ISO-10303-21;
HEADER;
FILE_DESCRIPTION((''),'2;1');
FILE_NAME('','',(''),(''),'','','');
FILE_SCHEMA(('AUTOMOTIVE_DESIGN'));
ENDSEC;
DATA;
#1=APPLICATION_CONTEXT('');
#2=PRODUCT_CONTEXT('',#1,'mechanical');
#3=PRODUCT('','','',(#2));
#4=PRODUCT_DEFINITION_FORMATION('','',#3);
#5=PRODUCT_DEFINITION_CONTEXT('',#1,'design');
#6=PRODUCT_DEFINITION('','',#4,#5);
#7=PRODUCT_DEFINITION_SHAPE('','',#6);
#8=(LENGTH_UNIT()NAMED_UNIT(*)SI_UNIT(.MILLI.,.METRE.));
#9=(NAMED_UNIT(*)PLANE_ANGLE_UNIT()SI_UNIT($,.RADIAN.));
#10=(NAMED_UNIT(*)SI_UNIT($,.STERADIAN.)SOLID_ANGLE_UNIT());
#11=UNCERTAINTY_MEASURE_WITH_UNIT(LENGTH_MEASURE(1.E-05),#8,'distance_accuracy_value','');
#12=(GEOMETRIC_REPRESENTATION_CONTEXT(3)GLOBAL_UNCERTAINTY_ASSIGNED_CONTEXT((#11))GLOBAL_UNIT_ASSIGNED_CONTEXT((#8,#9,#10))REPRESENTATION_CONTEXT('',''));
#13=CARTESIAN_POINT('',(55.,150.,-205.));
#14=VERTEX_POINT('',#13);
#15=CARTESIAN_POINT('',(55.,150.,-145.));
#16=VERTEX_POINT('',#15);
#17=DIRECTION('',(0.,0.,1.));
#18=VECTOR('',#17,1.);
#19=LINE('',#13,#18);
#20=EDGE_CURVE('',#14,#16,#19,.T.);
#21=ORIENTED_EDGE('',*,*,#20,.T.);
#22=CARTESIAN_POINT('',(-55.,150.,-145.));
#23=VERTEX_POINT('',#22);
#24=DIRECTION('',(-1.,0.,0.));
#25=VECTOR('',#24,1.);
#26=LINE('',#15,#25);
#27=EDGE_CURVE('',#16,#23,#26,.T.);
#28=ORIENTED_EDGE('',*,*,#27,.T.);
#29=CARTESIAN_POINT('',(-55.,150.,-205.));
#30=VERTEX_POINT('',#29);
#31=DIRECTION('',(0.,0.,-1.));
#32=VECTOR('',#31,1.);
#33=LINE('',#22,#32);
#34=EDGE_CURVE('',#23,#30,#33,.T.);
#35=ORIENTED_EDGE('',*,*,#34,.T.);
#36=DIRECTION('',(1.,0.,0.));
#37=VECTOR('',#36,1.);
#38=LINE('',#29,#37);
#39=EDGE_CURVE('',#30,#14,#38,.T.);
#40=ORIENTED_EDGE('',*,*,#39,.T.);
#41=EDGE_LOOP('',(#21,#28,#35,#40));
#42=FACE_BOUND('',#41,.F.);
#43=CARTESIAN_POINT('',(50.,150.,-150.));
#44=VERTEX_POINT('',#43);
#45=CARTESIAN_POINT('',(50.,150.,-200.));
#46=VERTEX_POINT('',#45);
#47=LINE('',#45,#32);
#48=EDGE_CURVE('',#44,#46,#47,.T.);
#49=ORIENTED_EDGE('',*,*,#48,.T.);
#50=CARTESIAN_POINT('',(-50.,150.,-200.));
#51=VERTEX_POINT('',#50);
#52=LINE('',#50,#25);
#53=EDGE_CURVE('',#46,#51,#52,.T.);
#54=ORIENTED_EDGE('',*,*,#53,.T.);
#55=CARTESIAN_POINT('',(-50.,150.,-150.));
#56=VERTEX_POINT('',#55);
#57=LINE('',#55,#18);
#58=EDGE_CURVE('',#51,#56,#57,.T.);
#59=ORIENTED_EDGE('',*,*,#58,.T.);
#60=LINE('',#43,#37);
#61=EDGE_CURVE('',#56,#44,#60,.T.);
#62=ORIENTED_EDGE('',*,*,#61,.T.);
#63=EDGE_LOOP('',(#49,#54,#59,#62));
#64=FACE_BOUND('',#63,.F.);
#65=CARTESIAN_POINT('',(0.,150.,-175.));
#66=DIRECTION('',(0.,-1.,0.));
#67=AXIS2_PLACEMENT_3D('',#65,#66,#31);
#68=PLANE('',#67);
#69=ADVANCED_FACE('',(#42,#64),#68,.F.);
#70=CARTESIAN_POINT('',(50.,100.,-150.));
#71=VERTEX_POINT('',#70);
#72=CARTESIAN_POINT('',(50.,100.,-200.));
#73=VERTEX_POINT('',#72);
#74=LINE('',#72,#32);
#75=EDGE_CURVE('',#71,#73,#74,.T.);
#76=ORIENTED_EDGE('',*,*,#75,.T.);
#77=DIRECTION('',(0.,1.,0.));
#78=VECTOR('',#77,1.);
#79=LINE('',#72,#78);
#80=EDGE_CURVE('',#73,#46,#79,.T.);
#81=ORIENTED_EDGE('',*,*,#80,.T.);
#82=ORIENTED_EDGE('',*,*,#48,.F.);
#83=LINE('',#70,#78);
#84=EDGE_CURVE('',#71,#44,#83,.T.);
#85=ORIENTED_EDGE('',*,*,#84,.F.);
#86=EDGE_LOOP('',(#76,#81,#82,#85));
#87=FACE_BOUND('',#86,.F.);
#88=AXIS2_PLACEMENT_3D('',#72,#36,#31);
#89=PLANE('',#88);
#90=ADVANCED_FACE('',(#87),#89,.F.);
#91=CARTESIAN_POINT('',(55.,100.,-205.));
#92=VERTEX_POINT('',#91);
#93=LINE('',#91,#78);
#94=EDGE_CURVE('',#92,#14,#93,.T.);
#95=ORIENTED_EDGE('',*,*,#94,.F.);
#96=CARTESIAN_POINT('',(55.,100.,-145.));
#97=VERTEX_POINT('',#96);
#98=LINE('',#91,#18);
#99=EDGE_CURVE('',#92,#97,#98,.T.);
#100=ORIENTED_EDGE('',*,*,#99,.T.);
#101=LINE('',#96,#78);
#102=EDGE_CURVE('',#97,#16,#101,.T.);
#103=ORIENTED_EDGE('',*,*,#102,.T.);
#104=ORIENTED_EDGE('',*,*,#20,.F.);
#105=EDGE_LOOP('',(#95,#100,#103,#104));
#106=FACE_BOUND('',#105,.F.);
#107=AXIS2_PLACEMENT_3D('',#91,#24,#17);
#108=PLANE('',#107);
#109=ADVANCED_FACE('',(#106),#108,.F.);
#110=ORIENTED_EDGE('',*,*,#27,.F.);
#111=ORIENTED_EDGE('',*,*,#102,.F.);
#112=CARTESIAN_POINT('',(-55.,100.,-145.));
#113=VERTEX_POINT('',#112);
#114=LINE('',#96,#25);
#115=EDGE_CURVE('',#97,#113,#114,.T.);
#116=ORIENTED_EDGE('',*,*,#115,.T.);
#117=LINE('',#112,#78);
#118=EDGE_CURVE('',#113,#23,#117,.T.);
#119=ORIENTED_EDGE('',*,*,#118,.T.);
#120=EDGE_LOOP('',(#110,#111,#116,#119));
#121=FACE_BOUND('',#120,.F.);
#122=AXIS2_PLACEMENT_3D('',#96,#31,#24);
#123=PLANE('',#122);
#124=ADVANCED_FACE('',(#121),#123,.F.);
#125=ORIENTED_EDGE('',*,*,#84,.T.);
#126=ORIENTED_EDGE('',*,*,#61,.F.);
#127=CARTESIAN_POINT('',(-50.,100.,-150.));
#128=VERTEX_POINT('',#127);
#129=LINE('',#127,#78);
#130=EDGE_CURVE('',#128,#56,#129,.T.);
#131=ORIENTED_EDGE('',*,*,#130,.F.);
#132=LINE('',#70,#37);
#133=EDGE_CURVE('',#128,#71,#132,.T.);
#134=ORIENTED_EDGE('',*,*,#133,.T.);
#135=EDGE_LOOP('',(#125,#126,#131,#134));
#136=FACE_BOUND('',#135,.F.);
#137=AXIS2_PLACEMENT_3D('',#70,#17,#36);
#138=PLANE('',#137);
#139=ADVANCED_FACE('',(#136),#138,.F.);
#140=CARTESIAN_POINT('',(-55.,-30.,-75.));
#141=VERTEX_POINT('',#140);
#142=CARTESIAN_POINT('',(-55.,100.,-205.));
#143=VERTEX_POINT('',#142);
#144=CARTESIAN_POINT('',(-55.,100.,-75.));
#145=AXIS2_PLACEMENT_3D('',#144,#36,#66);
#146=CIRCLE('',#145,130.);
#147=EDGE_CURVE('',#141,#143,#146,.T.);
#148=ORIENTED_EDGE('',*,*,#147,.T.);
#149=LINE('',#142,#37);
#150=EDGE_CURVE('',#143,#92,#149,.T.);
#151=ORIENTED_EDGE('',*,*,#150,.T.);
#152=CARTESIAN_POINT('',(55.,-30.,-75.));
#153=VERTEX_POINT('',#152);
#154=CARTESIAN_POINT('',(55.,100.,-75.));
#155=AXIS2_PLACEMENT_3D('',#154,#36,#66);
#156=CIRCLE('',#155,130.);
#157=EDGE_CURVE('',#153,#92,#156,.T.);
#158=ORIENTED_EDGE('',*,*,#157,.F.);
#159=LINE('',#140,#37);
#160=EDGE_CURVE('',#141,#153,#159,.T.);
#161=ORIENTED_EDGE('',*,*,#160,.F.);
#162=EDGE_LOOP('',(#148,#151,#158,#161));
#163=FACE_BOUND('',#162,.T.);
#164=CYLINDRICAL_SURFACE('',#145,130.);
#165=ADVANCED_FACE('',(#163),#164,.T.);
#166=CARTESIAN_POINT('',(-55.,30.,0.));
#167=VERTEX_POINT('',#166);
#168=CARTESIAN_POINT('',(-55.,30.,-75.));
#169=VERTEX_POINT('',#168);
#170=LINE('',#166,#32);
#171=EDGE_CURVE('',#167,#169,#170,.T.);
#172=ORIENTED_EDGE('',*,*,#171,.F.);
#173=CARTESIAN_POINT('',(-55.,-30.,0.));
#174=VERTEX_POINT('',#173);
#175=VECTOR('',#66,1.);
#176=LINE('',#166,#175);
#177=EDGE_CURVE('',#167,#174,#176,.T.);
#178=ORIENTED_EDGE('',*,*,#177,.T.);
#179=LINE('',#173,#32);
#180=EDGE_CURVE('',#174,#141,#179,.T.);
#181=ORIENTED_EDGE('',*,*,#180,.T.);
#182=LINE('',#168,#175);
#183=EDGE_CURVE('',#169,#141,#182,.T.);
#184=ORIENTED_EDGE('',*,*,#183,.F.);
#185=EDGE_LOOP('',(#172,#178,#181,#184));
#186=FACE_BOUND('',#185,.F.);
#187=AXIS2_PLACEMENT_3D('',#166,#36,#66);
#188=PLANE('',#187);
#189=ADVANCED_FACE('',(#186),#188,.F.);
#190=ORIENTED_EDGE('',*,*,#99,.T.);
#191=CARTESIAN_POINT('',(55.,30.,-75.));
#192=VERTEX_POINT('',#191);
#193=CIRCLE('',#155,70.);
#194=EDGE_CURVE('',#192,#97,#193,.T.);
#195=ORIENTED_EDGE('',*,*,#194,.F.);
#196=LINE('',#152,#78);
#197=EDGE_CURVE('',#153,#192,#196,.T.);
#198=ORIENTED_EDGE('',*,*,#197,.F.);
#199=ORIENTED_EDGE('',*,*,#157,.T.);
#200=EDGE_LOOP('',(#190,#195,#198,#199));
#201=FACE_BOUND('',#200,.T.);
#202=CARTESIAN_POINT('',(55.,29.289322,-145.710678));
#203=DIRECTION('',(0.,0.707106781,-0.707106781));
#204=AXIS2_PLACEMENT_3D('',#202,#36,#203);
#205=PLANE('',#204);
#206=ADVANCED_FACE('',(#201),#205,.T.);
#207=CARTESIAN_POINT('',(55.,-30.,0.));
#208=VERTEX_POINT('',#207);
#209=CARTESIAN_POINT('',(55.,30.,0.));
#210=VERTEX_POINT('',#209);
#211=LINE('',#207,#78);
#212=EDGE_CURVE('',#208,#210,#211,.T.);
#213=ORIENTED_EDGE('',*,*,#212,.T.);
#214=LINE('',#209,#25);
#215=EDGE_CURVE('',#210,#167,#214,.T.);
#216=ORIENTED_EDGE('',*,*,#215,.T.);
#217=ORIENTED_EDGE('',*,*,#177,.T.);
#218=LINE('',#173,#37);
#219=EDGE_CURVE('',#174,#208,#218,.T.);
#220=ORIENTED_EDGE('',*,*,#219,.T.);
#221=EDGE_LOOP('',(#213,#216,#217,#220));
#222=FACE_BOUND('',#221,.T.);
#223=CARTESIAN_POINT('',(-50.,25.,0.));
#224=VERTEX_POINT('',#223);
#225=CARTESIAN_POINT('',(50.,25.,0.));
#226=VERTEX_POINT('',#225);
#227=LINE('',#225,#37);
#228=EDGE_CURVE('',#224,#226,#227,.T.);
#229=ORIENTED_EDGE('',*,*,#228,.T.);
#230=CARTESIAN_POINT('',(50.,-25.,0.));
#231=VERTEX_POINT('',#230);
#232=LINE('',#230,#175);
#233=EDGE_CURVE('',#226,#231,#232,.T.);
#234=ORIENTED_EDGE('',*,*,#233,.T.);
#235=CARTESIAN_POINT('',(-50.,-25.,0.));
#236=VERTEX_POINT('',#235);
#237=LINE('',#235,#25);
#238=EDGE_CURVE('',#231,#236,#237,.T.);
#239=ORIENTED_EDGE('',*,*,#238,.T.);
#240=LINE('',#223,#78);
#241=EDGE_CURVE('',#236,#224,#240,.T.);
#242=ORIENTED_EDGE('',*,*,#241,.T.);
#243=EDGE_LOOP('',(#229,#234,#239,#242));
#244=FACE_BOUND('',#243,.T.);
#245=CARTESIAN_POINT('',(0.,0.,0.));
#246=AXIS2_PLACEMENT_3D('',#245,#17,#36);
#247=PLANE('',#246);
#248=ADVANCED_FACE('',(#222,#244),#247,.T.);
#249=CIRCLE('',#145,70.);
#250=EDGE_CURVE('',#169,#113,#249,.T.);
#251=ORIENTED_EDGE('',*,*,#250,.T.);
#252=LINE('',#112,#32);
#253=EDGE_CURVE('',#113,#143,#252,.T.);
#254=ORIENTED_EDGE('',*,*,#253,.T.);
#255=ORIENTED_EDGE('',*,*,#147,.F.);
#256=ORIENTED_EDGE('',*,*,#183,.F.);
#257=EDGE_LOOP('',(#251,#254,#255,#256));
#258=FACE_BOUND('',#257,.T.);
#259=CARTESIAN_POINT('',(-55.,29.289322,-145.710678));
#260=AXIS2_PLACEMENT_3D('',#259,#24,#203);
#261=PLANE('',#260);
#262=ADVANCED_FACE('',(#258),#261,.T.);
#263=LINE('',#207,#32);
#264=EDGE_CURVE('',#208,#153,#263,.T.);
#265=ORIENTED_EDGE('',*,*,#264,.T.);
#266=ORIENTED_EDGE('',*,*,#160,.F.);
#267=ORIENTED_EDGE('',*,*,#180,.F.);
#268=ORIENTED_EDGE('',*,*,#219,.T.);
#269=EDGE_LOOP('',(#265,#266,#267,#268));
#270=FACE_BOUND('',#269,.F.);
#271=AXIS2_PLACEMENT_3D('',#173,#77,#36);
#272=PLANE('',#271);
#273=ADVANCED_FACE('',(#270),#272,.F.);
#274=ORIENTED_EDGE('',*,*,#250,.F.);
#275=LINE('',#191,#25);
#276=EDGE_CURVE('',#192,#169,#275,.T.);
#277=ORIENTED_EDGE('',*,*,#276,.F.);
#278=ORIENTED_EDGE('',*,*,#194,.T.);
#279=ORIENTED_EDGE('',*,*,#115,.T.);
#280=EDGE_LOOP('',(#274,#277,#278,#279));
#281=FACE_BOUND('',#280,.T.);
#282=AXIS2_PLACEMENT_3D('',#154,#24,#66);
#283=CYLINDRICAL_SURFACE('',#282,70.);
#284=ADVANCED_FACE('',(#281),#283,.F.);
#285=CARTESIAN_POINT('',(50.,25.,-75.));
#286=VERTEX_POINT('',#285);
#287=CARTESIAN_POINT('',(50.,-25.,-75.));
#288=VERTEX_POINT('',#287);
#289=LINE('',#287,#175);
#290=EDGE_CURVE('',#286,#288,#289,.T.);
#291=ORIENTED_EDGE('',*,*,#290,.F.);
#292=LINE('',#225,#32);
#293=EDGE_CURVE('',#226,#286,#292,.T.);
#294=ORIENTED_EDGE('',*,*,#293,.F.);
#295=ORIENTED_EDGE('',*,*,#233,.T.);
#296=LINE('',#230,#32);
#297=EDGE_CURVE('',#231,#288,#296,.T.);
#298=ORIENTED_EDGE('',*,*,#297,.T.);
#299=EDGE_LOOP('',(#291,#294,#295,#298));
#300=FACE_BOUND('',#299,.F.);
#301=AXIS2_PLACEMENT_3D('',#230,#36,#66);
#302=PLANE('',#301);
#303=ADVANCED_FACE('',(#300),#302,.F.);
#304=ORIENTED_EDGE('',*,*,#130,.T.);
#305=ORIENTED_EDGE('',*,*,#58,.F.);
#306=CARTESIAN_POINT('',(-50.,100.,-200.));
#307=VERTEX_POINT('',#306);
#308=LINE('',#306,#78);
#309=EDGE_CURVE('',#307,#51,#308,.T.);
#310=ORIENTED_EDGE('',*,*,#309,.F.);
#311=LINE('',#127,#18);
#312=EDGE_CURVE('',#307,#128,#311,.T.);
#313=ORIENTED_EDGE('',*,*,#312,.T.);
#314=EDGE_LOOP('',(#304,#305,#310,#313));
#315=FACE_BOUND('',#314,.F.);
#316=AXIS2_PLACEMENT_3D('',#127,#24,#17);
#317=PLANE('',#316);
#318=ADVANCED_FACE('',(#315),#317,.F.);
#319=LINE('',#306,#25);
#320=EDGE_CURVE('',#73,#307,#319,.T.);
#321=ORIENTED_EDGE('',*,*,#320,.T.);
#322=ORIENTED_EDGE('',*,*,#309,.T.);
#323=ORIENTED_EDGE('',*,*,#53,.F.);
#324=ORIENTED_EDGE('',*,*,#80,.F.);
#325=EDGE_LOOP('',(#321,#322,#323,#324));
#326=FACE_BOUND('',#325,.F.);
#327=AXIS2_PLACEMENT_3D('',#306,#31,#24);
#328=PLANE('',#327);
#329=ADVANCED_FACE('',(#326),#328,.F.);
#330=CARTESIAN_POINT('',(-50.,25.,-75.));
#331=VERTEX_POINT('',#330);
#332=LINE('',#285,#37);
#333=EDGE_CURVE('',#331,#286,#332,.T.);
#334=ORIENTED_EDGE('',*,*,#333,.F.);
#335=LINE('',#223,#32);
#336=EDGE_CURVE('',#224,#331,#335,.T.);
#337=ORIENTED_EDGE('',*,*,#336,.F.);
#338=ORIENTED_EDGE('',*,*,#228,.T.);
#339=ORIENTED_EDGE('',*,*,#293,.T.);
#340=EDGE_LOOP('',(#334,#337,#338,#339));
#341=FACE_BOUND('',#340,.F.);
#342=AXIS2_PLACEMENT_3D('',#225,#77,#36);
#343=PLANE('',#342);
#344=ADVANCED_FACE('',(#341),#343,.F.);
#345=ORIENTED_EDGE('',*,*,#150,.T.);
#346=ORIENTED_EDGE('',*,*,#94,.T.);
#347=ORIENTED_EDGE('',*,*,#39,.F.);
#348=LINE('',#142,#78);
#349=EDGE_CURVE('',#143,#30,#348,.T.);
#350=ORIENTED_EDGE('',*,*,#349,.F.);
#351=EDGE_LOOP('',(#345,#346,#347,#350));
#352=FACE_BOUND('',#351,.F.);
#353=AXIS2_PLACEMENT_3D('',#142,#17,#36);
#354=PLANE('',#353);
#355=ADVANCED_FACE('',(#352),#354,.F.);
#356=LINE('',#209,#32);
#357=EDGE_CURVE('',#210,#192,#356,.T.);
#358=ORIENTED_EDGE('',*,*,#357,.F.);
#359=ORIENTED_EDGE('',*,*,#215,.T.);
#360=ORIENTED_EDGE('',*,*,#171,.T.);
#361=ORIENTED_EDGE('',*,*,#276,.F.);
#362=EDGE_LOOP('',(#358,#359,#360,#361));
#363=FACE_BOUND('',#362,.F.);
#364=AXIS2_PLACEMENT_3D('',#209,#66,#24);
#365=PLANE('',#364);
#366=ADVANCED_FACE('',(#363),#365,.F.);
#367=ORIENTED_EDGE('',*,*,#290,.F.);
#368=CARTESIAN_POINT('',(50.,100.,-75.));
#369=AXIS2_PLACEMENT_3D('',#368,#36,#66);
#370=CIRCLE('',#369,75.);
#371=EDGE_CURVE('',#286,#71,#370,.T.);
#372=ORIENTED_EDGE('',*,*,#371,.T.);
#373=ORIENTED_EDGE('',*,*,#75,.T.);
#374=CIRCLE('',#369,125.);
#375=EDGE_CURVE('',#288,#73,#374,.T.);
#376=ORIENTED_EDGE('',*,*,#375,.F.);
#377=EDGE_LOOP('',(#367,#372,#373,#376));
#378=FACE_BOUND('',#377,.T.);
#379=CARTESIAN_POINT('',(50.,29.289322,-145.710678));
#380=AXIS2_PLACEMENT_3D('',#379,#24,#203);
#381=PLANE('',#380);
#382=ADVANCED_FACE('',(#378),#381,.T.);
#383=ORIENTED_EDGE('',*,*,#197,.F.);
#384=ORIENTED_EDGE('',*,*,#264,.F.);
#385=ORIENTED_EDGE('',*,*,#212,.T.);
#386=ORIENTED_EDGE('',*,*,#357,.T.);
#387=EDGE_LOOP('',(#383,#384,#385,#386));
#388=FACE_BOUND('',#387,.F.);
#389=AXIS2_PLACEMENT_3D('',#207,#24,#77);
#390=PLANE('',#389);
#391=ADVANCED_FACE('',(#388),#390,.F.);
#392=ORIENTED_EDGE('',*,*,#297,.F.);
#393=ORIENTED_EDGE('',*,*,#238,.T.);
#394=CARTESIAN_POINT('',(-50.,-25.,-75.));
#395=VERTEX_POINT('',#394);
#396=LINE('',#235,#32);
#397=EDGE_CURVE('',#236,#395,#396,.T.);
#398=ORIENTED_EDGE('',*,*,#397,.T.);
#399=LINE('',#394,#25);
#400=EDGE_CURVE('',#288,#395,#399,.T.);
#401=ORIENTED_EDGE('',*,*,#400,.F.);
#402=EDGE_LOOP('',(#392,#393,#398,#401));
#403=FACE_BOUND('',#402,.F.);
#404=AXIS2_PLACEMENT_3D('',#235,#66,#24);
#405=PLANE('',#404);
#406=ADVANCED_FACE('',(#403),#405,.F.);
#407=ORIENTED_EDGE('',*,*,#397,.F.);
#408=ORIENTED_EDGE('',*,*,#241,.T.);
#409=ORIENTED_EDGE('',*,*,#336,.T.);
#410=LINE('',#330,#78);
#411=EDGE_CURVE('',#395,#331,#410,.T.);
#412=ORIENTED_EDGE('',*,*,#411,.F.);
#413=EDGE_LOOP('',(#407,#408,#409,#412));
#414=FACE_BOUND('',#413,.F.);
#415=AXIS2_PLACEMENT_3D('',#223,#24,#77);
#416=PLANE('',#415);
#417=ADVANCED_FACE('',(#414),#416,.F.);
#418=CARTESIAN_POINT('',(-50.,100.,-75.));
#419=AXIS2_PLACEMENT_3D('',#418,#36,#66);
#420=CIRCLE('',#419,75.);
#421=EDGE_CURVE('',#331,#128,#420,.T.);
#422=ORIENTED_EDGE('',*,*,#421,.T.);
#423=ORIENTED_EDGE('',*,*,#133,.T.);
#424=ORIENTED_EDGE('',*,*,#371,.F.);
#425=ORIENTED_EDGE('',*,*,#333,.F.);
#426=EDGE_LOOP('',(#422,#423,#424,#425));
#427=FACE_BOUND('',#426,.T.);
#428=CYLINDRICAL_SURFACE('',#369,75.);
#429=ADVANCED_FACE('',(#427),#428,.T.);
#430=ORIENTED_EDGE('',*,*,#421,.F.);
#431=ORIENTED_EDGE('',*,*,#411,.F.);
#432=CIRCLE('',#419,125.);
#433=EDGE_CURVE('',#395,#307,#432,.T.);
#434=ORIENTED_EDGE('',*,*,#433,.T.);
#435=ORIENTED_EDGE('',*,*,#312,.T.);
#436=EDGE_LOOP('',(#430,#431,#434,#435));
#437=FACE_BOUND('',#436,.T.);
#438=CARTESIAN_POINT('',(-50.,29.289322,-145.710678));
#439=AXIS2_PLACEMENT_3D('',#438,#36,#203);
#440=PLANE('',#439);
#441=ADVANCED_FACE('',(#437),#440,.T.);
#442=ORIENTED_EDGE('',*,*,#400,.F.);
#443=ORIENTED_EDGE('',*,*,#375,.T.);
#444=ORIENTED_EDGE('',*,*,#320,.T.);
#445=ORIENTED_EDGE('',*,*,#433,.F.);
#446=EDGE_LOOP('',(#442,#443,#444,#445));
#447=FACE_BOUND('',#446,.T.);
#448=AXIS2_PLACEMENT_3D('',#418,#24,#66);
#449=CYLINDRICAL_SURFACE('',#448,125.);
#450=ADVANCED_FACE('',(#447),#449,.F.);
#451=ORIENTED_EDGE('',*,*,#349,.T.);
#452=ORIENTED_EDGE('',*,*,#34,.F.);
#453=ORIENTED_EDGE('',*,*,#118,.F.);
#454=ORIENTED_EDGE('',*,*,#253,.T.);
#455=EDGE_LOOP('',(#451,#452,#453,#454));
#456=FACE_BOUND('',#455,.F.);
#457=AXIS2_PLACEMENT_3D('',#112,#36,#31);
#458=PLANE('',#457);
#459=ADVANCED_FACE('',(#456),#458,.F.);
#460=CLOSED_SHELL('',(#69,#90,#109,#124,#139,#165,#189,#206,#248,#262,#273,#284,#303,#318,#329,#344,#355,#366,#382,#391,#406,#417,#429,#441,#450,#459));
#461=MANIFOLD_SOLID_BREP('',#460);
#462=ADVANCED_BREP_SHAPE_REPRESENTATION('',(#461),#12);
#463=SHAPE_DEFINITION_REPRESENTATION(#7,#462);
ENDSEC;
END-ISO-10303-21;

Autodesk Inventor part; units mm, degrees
ref_plane "YZ Plane" through (0, 0, 0) normal (1, 0, 0) x (0, 1, 0)
ref_plane "XZ Plane" through (0, 0, 0) normal (0, 1, 0) x (-1, 0, 0)
ref_plane "XY Plane" through (0, 0, 0) normal (0, 0, 1) x (1, 0, 0)
sketch "Sketch1" plane through (0, 0, 0) normal (0, 0, 1) x (1, 0, 0)
  point P0 (0, 0)
sketch "Sketch2" plane through (0, 0, 0) normal (0, 0, 1) x (1, 0, 0)
  line L0 (-50, -25) -> (50, -25)
  line L1 (50, -25) -> (50, 25)
  line L2 (50, 25) -> (-50, 25)
  line L3 (-50, 25) -> (-50, -25)
  line L4 (-50, -25) -> (50, 25) construction
  line L5 (50, -25) -> (-50, 25) construction
  line L6 (-55, -30) -> (55, -30)
  line L7 (55, -30) -> (55, 30)
  line L8 (55, 30) -> (-55, 30)
  line L9 (-55, 30) -> (-55, -30)
  line L10 (-55, -30) -> (55, 30) construction
  line L11 (55, -30) -> (-55, 30) construction
  point P0 (0, 0)
  dimension "d0" = 100
  dimension "d1" = 50
  dimension "d2" = 110
  dimension "d3" = 60
sketch "Sketch3" plane through (0, 0, 0) normal (1, 0, 0) x (0, 1, 0)
  line L0 (0, 0) -> (0, -75)
  arc A0 (0, -75) -> (100, -175) centre (100, -75) ccw
  line L1 (100, -75) -> (100, -175) construction
  line L2 (100, -75) -> (0, -75) construction
  line L3 (100, -175) -> (150, -175)
sweep "Sweep1" add profiles "Sketch2" path "Sketch3"
properties part number "RecTubeNew"
